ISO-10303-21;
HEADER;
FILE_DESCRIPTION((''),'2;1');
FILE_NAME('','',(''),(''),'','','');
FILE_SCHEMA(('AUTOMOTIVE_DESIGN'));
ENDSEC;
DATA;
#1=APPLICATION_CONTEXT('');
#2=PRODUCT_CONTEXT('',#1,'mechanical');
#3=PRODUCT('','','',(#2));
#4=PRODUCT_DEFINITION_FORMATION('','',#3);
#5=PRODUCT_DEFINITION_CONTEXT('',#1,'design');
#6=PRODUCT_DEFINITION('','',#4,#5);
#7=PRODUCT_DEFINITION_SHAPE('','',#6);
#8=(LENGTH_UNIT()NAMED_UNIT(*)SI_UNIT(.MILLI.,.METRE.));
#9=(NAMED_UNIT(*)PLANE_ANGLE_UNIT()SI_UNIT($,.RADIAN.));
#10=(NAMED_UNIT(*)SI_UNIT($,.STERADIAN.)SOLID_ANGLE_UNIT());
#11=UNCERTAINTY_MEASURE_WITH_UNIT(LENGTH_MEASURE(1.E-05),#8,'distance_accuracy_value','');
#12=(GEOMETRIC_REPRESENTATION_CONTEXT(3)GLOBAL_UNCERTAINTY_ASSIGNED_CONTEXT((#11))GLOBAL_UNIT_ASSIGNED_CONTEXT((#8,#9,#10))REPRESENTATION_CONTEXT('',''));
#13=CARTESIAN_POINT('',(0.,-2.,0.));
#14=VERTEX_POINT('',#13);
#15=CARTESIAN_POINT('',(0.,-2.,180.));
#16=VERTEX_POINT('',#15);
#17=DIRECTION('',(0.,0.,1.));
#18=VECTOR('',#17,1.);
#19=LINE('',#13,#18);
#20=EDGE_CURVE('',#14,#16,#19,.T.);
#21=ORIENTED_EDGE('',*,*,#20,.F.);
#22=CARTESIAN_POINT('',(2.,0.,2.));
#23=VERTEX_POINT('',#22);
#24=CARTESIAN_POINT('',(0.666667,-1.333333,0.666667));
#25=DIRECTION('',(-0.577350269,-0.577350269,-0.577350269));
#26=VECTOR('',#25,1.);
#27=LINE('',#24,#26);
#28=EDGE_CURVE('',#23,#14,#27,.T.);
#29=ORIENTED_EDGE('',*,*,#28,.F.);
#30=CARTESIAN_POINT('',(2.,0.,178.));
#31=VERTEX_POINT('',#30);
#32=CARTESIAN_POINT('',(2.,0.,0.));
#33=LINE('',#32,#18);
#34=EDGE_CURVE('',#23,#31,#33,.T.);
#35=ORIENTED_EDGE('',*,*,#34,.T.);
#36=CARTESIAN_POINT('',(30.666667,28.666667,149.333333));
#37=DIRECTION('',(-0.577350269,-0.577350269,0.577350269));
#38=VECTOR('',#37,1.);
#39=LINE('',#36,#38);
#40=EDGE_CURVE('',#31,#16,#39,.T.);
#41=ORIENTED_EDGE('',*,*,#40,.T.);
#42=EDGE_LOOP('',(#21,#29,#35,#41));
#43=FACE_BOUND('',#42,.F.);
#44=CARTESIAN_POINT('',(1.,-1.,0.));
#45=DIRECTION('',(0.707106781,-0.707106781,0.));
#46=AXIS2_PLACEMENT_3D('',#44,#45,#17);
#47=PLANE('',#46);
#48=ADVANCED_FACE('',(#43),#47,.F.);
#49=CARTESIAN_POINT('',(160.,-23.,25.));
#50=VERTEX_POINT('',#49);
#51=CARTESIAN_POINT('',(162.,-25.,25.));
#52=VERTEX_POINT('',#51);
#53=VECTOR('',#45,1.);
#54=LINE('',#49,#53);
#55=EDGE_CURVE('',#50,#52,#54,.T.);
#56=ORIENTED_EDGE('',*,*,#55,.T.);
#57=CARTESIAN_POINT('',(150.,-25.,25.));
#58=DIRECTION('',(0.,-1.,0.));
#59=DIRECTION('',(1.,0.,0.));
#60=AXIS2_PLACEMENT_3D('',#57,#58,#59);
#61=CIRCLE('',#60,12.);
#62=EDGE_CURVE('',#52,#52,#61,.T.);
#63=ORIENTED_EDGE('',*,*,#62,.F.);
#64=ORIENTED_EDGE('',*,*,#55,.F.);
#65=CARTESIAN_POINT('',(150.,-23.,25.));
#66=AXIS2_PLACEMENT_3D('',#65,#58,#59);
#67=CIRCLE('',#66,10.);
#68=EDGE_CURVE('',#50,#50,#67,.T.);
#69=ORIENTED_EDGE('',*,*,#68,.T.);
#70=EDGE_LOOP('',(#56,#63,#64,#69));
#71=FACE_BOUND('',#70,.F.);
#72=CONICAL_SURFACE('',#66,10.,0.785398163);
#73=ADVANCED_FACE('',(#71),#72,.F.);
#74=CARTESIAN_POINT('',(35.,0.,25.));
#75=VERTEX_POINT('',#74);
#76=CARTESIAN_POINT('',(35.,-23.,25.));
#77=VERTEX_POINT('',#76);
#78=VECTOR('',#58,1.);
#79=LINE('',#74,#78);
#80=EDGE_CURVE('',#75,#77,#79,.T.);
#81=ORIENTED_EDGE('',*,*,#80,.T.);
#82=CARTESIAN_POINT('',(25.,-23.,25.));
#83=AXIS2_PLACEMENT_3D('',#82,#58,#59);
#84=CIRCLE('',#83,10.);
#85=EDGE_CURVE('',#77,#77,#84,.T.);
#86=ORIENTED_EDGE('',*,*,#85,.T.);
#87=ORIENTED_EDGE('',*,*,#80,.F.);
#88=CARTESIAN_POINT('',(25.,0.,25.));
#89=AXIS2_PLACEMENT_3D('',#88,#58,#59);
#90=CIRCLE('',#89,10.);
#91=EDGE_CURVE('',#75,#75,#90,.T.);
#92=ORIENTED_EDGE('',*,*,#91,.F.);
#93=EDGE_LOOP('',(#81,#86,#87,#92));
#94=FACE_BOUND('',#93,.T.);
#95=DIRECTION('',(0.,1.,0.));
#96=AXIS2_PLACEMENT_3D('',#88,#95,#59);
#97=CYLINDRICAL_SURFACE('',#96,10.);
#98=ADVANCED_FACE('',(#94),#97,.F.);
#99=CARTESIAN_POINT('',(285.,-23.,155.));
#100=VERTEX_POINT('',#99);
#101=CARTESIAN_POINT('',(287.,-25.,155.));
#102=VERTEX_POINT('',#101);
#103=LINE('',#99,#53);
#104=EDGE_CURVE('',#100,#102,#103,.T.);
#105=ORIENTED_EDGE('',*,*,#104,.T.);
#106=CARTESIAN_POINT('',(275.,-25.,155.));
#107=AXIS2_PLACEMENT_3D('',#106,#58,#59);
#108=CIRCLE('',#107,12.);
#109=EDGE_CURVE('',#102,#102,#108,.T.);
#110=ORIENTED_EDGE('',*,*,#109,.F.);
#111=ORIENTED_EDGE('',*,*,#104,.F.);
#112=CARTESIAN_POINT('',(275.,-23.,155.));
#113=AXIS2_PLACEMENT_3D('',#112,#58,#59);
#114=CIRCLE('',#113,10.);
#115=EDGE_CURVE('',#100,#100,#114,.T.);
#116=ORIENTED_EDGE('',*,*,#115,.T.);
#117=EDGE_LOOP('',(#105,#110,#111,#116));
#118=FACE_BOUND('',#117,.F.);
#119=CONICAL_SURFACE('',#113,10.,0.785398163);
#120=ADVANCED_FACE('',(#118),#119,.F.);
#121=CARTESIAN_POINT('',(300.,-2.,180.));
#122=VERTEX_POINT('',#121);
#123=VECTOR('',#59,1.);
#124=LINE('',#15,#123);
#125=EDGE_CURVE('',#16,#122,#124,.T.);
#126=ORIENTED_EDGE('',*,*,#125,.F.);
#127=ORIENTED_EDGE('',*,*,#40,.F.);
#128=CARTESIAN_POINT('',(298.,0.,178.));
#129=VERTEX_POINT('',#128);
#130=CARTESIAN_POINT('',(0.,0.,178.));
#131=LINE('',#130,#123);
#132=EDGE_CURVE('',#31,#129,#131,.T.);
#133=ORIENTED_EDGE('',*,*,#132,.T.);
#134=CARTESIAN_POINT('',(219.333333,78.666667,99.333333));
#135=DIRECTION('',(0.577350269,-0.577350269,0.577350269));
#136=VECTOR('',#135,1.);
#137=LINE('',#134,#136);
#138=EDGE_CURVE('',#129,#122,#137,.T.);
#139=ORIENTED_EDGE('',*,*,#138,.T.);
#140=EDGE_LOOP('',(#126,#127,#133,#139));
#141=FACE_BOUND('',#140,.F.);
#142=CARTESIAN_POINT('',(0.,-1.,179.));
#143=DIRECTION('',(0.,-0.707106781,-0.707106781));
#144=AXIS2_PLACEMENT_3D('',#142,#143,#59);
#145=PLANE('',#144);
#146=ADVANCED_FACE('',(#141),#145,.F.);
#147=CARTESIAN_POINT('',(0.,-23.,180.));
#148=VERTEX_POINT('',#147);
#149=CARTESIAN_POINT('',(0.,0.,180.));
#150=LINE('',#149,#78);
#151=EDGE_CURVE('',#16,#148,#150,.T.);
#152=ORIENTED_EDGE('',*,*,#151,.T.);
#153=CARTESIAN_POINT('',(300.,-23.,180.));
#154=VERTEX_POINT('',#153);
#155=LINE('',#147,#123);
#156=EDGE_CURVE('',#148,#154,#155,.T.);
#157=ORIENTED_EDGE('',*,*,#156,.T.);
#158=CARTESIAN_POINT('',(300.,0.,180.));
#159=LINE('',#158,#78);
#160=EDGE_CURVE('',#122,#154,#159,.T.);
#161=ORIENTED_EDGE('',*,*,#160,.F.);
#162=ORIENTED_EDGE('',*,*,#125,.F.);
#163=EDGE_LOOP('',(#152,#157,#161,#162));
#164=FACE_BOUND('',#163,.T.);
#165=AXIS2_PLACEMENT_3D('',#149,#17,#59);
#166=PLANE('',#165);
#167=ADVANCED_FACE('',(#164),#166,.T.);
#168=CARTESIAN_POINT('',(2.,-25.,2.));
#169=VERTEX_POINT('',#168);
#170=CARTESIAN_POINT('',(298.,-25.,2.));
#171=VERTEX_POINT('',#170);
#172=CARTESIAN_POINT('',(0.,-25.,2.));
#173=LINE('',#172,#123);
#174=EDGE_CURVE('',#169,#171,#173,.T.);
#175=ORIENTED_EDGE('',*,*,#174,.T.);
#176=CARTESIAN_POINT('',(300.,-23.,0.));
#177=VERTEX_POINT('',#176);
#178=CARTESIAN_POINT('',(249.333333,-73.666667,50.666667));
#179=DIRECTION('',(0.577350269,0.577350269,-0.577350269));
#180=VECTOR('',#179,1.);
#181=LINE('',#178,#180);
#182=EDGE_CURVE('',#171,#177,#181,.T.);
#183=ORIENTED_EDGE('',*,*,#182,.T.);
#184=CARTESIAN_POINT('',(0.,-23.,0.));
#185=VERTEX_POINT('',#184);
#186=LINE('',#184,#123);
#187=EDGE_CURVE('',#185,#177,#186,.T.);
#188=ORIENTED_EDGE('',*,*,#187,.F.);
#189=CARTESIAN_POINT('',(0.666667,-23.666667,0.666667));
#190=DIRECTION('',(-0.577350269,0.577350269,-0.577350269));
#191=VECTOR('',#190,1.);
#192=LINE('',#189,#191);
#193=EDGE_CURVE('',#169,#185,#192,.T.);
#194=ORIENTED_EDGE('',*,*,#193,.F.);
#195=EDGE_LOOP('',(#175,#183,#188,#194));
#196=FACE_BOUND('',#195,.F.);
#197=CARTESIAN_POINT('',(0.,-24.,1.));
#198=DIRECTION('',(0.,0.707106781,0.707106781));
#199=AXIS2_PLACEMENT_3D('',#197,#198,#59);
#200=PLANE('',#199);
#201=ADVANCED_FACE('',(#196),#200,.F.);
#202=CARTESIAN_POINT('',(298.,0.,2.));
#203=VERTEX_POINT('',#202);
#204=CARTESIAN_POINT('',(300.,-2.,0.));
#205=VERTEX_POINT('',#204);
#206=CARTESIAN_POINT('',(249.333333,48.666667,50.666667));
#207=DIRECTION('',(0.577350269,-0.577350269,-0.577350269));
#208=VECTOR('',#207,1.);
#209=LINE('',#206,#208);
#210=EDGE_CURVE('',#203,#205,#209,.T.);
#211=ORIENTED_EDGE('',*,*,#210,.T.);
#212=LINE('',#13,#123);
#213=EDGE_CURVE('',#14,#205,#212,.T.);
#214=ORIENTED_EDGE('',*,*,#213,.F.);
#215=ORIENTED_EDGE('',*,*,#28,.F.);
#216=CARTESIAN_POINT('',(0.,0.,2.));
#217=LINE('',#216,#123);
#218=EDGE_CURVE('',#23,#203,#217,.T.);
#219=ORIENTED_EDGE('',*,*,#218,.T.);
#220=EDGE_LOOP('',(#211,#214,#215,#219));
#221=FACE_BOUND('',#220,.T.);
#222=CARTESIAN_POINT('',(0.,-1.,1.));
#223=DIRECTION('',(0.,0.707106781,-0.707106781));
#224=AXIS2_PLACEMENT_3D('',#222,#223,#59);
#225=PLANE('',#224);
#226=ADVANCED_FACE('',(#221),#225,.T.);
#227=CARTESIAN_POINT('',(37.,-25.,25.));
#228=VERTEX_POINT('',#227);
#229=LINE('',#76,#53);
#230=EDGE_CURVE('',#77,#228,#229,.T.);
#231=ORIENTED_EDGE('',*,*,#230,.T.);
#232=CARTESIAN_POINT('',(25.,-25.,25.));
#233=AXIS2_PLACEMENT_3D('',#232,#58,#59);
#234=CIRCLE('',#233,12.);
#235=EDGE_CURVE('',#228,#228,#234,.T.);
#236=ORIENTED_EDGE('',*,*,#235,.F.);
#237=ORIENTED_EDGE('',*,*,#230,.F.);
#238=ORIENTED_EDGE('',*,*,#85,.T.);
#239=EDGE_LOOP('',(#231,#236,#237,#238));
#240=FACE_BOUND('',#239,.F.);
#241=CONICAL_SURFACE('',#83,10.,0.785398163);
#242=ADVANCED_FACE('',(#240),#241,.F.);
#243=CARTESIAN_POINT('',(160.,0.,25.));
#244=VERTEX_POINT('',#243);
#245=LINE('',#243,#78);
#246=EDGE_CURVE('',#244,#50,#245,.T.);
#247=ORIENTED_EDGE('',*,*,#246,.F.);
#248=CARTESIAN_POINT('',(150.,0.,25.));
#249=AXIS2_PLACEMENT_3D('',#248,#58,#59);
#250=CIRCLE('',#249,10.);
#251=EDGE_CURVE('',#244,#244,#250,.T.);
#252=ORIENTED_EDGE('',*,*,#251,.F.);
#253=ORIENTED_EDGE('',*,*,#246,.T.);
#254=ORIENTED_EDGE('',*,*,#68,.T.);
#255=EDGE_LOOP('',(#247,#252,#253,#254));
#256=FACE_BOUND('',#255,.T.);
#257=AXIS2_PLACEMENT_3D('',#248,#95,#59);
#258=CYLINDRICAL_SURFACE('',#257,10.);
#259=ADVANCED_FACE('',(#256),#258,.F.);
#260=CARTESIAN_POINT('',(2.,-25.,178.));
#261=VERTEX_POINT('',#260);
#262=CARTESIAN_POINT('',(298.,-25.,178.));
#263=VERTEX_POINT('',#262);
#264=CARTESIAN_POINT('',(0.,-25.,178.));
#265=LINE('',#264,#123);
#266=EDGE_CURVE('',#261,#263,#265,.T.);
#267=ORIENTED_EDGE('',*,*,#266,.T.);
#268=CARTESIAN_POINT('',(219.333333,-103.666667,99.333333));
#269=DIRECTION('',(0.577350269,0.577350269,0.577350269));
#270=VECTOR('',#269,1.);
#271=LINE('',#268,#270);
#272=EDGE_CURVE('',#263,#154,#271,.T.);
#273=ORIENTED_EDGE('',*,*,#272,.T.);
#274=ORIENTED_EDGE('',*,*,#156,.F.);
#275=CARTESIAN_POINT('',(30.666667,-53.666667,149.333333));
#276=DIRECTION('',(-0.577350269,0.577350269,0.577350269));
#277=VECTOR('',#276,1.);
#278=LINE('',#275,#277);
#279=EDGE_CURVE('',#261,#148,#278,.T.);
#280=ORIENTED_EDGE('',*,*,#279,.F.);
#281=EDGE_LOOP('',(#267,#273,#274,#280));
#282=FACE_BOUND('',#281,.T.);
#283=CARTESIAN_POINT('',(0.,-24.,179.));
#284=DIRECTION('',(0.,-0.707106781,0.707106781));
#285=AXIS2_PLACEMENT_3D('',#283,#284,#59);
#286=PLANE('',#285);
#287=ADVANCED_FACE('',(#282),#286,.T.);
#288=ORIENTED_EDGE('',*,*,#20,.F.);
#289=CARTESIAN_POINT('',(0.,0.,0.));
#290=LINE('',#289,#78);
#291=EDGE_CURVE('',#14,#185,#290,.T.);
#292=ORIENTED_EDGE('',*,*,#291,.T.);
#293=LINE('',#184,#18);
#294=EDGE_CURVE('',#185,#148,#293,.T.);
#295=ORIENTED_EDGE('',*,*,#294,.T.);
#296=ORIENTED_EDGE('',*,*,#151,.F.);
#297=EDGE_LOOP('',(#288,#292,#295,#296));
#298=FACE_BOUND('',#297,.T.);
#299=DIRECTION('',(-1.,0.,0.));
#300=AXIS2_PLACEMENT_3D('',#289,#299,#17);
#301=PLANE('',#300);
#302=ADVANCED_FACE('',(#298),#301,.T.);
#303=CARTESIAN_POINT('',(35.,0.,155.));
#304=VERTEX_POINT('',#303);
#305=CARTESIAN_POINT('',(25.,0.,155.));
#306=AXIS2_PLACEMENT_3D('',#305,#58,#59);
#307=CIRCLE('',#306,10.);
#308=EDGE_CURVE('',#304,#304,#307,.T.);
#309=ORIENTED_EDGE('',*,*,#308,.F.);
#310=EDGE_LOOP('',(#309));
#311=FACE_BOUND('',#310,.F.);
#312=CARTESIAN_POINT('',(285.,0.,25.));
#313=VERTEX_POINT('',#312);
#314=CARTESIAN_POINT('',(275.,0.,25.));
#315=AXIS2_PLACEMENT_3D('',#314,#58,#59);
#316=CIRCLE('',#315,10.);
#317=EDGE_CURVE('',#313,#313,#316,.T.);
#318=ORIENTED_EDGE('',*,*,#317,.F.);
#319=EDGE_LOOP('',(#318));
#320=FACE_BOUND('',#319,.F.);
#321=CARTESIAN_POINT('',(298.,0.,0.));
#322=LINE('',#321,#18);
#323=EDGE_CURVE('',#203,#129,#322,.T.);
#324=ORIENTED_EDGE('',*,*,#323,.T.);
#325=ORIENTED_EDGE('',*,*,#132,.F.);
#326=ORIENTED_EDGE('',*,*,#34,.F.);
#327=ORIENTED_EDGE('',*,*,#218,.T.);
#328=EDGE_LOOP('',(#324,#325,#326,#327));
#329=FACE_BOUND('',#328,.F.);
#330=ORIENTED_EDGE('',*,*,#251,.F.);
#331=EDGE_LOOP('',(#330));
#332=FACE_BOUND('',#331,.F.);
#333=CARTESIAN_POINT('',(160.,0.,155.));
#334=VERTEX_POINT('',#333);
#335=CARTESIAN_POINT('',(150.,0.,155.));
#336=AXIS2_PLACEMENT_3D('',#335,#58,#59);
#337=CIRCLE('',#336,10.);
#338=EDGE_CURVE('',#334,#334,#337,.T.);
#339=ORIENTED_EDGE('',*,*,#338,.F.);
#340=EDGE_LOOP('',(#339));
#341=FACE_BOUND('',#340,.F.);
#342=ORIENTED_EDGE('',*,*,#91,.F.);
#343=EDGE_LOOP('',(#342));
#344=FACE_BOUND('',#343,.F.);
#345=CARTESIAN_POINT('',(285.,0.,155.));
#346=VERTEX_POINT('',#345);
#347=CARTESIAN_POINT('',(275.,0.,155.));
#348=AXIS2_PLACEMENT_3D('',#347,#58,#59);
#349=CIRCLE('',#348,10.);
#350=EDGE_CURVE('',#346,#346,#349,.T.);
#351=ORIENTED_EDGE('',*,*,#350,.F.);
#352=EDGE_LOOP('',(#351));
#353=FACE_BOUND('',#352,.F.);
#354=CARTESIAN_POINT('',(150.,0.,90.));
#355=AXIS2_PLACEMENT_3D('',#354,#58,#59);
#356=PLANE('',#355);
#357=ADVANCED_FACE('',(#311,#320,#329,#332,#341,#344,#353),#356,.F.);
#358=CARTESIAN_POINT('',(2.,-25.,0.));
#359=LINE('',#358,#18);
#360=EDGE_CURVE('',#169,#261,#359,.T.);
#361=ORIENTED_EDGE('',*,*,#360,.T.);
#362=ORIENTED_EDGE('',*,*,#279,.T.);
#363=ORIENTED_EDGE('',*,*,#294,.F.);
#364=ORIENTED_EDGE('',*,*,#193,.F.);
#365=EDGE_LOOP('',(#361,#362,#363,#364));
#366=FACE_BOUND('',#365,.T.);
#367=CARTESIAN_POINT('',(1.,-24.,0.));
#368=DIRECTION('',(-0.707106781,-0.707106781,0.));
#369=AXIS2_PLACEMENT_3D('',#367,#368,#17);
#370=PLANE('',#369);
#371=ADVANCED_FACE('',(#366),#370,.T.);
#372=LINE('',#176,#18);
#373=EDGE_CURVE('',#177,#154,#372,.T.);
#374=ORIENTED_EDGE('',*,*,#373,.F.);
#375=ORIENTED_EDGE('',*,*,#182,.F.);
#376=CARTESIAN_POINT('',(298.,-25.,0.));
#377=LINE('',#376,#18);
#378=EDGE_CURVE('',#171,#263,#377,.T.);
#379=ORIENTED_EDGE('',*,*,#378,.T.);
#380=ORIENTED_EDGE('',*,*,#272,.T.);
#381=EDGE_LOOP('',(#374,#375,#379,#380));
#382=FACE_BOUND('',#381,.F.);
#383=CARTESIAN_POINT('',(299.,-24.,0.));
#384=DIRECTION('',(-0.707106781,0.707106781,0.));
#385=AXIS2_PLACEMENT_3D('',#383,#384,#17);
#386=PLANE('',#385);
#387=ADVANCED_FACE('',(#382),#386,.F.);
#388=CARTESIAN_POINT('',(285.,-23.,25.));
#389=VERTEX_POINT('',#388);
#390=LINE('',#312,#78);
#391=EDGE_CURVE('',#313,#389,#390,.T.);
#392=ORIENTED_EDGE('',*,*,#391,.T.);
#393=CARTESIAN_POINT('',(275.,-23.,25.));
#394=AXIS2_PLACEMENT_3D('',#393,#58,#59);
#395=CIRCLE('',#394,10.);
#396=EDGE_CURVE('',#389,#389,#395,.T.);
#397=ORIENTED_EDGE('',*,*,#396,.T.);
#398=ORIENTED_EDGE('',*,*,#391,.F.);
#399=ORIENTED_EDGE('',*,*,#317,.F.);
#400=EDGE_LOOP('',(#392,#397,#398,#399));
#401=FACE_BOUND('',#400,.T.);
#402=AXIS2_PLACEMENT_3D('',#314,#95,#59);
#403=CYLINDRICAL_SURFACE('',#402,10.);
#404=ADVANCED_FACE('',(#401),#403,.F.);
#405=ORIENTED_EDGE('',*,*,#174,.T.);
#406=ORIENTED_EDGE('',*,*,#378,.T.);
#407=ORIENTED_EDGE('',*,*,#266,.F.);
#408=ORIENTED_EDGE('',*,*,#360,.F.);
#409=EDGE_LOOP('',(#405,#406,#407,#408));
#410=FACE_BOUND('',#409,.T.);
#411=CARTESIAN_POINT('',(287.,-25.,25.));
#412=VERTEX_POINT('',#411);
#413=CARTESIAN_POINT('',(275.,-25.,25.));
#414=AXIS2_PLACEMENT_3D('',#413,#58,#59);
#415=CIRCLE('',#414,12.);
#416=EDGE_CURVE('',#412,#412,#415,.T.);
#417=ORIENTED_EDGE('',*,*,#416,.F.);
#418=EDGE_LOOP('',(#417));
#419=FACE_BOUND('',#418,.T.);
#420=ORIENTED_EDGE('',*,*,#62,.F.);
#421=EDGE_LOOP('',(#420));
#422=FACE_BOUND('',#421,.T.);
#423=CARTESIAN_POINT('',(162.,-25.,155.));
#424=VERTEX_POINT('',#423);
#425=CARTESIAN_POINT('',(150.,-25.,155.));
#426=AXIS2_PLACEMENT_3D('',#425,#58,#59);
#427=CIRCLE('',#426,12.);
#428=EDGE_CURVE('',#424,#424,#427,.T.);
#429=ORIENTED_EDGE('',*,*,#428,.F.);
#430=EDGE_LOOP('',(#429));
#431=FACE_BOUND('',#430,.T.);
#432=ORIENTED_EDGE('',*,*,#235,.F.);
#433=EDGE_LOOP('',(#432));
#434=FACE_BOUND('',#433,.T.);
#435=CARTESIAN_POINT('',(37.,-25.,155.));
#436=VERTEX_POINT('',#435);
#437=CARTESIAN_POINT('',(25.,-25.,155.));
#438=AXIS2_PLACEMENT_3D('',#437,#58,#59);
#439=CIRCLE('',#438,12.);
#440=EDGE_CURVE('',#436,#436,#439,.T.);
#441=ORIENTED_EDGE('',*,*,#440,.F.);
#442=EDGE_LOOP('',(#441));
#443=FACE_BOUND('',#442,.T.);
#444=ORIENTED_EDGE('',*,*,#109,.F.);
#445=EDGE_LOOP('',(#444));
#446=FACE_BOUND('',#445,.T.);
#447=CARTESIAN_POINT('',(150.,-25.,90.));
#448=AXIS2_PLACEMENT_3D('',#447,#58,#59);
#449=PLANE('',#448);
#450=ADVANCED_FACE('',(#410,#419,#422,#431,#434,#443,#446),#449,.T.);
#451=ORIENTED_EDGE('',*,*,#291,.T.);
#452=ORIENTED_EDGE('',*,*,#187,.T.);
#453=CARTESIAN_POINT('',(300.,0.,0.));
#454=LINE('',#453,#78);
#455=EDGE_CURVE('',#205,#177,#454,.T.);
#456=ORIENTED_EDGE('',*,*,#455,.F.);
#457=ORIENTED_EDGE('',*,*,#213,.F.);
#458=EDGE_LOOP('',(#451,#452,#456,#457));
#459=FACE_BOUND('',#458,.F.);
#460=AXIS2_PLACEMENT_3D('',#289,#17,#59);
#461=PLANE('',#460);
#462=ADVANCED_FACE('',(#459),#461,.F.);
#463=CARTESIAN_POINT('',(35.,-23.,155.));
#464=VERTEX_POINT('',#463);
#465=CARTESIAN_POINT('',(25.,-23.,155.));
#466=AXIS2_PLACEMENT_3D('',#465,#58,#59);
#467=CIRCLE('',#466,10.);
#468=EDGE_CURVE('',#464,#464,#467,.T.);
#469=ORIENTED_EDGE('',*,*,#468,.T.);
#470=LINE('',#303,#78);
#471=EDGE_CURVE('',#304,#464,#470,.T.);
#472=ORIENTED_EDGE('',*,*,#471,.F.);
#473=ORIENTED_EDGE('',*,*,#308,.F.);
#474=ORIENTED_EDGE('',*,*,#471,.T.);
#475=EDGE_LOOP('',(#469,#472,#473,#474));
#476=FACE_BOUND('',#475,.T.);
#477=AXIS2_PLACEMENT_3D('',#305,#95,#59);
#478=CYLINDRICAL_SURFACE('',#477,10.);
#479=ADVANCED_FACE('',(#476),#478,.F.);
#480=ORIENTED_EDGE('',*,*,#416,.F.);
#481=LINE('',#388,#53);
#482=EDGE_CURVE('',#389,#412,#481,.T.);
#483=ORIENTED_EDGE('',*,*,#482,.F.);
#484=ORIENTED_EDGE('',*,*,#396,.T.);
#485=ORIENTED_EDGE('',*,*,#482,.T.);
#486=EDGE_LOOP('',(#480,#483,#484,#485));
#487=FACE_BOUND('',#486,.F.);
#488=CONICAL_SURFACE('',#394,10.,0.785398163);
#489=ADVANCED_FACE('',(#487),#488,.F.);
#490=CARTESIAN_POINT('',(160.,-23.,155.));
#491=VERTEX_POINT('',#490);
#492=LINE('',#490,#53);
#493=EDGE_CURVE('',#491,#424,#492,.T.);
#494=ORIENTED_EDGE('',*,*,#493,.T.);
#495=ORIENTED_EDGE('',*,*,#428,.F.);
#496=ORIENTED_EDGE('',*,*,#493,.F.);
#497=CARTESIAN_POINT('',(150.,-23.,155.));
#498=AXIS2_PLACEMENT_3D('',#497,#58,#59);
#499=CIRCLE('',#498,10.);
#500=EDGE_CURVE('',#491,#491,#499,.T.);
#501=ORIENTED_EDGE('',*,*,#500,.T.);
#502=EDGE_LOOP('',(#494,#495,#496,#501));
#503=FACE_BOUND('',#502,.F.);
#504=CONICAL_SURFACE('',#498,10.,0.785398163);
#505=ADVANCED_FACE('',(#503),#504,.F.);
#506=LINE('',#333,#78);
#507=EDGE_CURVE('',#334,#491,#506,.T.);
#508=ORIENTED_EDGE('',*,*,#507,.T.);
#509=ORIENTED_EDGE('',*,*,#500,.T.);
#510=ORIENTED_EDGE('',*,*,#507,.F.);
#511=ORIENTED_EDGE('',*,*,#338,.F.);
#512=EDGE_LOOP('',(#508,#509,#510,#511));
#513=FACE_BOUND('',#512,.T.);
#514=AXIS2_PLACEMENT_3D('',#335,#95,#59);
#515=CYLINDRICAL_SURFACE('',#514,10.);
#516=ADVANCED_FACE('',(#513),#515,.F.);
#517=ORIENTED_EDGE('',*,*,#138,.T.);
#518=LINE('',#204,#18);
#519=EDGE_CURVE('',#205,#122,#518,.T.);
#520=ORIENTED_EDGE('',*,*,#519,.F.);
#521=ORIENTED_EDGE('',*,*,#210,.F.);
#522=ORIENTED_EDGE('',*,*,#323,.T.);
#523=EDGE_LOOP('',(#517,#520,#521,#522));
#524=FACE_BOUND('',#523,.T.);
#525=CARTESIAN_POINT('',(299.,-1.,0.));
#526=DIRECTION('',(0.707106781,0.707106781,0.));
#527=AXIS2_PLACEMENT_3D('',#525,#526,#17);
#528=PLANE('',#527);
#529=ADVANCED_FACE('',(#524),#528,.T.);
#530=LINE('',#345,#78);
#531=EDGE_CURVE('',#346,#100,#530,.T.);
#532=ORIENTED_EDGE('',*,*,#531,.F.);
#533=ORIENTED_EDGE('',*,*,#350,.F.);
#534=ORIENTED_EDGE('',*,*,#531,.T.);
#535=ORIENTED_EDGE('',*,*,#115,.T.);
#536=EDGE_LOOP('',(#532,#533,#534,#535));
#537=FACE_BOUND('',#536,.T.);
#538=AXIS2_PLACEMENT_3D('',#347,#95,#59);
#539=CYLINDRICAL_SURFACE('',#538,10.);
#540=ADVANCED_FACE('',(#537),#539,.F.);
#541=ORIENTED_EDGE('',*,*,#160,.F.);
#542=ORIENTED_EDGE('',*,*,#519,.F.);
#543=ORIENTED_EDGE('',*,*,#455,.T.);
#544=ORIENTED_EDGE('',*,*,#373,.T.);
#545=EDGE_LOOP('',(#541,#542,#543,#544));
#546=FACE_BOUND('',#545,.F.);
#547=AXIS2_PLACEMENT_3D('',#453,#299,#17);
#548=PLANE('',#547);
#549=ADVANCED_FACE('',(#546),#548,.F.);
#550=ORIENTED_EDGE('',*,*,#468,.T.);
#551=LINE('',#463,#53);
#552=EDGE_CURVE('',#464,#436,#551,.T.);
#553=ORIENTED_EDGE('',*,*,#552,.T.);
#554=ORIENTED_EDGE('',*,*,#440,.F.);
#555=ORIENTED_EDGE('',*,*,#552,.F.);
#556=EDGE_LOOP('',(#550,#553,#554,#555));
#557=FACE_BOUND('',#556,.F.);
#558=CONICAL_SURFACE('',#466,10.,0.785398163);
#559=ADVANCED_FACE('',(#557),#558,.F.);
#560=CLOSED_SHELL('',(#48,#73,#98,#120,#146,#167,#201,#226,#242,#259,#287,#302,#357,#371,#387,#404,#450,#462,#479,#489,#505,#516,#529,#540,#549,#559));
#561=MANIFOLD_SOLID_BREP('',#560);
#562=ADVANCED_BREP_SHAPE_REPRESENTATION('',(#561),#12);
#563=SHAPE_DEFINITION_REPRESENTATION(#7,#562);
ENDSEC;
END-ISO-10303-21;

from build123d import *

# Parameters (mm, degrees)
F0_W     = 300
F0_H     = 180
F0_R     = 10
F1_DEPTH = 25
F2_SIZE2 = 2
F2_SIZE  = 2
F3_SIZE2 = 2
F3_SIZE  = 2


with BuildPart() as f1:
    # F0 (on Front) → F1 (new body)
    with BuildSketch(Plane.XZ):
        with Locations((150, 90)):
            Rectangle(F0_W, F0_H)
        with Locations((25, 25)):
            Circle(F0_R, mode=Mode.SUBTRACT)
        with Locations((150, 25)):
            Circle(F0_R, mode=Mode.SUBTRACT)
        with Locations((275, 25)):
            Circle(F0_R, mode=Mode.SUBTRACT)
        with Locations((25, 155)):
            Circle(F0_R, mode=Mode.SUBTRACT)
        with Locations((150, 155)):
            Circle(F0_R, mode=Mode.SUBTRACT)
        with Locations((275, 155)):
            Circle(F0_R, mode=Mode.SUBTRACT)
    extrude(amount=F1_DEPTH)

    # F2
    f2_edges = [f1.edges().sort_by_distance(p)[0] for p in [
        (15, -25, 155),
        (15, -25, 25),
        (140, -25, 25),
        (140, -25, 155),
        (265, -25, 155),
        (265, -25, 25),
    ]]
    chamfer(f2_edges, length=F2_SIZE, length2=F2_SIZE2)

    # F3
    f3_edges = [f1.edges().sort_by_distance(p)[0] for p in [
        (300, -25, 90),
        (150, -25, 0),
        (0, -25, 90),
        (150, -25, 180),
        (150, 0, 0),
        (0, 0, 90),
        (300, 0, 90),
        (150, 0, 180),
    ]]
    chamfer(f3_edges, length=F3_SIZE, length2=F3_SIZE2)


solid = f1.part
